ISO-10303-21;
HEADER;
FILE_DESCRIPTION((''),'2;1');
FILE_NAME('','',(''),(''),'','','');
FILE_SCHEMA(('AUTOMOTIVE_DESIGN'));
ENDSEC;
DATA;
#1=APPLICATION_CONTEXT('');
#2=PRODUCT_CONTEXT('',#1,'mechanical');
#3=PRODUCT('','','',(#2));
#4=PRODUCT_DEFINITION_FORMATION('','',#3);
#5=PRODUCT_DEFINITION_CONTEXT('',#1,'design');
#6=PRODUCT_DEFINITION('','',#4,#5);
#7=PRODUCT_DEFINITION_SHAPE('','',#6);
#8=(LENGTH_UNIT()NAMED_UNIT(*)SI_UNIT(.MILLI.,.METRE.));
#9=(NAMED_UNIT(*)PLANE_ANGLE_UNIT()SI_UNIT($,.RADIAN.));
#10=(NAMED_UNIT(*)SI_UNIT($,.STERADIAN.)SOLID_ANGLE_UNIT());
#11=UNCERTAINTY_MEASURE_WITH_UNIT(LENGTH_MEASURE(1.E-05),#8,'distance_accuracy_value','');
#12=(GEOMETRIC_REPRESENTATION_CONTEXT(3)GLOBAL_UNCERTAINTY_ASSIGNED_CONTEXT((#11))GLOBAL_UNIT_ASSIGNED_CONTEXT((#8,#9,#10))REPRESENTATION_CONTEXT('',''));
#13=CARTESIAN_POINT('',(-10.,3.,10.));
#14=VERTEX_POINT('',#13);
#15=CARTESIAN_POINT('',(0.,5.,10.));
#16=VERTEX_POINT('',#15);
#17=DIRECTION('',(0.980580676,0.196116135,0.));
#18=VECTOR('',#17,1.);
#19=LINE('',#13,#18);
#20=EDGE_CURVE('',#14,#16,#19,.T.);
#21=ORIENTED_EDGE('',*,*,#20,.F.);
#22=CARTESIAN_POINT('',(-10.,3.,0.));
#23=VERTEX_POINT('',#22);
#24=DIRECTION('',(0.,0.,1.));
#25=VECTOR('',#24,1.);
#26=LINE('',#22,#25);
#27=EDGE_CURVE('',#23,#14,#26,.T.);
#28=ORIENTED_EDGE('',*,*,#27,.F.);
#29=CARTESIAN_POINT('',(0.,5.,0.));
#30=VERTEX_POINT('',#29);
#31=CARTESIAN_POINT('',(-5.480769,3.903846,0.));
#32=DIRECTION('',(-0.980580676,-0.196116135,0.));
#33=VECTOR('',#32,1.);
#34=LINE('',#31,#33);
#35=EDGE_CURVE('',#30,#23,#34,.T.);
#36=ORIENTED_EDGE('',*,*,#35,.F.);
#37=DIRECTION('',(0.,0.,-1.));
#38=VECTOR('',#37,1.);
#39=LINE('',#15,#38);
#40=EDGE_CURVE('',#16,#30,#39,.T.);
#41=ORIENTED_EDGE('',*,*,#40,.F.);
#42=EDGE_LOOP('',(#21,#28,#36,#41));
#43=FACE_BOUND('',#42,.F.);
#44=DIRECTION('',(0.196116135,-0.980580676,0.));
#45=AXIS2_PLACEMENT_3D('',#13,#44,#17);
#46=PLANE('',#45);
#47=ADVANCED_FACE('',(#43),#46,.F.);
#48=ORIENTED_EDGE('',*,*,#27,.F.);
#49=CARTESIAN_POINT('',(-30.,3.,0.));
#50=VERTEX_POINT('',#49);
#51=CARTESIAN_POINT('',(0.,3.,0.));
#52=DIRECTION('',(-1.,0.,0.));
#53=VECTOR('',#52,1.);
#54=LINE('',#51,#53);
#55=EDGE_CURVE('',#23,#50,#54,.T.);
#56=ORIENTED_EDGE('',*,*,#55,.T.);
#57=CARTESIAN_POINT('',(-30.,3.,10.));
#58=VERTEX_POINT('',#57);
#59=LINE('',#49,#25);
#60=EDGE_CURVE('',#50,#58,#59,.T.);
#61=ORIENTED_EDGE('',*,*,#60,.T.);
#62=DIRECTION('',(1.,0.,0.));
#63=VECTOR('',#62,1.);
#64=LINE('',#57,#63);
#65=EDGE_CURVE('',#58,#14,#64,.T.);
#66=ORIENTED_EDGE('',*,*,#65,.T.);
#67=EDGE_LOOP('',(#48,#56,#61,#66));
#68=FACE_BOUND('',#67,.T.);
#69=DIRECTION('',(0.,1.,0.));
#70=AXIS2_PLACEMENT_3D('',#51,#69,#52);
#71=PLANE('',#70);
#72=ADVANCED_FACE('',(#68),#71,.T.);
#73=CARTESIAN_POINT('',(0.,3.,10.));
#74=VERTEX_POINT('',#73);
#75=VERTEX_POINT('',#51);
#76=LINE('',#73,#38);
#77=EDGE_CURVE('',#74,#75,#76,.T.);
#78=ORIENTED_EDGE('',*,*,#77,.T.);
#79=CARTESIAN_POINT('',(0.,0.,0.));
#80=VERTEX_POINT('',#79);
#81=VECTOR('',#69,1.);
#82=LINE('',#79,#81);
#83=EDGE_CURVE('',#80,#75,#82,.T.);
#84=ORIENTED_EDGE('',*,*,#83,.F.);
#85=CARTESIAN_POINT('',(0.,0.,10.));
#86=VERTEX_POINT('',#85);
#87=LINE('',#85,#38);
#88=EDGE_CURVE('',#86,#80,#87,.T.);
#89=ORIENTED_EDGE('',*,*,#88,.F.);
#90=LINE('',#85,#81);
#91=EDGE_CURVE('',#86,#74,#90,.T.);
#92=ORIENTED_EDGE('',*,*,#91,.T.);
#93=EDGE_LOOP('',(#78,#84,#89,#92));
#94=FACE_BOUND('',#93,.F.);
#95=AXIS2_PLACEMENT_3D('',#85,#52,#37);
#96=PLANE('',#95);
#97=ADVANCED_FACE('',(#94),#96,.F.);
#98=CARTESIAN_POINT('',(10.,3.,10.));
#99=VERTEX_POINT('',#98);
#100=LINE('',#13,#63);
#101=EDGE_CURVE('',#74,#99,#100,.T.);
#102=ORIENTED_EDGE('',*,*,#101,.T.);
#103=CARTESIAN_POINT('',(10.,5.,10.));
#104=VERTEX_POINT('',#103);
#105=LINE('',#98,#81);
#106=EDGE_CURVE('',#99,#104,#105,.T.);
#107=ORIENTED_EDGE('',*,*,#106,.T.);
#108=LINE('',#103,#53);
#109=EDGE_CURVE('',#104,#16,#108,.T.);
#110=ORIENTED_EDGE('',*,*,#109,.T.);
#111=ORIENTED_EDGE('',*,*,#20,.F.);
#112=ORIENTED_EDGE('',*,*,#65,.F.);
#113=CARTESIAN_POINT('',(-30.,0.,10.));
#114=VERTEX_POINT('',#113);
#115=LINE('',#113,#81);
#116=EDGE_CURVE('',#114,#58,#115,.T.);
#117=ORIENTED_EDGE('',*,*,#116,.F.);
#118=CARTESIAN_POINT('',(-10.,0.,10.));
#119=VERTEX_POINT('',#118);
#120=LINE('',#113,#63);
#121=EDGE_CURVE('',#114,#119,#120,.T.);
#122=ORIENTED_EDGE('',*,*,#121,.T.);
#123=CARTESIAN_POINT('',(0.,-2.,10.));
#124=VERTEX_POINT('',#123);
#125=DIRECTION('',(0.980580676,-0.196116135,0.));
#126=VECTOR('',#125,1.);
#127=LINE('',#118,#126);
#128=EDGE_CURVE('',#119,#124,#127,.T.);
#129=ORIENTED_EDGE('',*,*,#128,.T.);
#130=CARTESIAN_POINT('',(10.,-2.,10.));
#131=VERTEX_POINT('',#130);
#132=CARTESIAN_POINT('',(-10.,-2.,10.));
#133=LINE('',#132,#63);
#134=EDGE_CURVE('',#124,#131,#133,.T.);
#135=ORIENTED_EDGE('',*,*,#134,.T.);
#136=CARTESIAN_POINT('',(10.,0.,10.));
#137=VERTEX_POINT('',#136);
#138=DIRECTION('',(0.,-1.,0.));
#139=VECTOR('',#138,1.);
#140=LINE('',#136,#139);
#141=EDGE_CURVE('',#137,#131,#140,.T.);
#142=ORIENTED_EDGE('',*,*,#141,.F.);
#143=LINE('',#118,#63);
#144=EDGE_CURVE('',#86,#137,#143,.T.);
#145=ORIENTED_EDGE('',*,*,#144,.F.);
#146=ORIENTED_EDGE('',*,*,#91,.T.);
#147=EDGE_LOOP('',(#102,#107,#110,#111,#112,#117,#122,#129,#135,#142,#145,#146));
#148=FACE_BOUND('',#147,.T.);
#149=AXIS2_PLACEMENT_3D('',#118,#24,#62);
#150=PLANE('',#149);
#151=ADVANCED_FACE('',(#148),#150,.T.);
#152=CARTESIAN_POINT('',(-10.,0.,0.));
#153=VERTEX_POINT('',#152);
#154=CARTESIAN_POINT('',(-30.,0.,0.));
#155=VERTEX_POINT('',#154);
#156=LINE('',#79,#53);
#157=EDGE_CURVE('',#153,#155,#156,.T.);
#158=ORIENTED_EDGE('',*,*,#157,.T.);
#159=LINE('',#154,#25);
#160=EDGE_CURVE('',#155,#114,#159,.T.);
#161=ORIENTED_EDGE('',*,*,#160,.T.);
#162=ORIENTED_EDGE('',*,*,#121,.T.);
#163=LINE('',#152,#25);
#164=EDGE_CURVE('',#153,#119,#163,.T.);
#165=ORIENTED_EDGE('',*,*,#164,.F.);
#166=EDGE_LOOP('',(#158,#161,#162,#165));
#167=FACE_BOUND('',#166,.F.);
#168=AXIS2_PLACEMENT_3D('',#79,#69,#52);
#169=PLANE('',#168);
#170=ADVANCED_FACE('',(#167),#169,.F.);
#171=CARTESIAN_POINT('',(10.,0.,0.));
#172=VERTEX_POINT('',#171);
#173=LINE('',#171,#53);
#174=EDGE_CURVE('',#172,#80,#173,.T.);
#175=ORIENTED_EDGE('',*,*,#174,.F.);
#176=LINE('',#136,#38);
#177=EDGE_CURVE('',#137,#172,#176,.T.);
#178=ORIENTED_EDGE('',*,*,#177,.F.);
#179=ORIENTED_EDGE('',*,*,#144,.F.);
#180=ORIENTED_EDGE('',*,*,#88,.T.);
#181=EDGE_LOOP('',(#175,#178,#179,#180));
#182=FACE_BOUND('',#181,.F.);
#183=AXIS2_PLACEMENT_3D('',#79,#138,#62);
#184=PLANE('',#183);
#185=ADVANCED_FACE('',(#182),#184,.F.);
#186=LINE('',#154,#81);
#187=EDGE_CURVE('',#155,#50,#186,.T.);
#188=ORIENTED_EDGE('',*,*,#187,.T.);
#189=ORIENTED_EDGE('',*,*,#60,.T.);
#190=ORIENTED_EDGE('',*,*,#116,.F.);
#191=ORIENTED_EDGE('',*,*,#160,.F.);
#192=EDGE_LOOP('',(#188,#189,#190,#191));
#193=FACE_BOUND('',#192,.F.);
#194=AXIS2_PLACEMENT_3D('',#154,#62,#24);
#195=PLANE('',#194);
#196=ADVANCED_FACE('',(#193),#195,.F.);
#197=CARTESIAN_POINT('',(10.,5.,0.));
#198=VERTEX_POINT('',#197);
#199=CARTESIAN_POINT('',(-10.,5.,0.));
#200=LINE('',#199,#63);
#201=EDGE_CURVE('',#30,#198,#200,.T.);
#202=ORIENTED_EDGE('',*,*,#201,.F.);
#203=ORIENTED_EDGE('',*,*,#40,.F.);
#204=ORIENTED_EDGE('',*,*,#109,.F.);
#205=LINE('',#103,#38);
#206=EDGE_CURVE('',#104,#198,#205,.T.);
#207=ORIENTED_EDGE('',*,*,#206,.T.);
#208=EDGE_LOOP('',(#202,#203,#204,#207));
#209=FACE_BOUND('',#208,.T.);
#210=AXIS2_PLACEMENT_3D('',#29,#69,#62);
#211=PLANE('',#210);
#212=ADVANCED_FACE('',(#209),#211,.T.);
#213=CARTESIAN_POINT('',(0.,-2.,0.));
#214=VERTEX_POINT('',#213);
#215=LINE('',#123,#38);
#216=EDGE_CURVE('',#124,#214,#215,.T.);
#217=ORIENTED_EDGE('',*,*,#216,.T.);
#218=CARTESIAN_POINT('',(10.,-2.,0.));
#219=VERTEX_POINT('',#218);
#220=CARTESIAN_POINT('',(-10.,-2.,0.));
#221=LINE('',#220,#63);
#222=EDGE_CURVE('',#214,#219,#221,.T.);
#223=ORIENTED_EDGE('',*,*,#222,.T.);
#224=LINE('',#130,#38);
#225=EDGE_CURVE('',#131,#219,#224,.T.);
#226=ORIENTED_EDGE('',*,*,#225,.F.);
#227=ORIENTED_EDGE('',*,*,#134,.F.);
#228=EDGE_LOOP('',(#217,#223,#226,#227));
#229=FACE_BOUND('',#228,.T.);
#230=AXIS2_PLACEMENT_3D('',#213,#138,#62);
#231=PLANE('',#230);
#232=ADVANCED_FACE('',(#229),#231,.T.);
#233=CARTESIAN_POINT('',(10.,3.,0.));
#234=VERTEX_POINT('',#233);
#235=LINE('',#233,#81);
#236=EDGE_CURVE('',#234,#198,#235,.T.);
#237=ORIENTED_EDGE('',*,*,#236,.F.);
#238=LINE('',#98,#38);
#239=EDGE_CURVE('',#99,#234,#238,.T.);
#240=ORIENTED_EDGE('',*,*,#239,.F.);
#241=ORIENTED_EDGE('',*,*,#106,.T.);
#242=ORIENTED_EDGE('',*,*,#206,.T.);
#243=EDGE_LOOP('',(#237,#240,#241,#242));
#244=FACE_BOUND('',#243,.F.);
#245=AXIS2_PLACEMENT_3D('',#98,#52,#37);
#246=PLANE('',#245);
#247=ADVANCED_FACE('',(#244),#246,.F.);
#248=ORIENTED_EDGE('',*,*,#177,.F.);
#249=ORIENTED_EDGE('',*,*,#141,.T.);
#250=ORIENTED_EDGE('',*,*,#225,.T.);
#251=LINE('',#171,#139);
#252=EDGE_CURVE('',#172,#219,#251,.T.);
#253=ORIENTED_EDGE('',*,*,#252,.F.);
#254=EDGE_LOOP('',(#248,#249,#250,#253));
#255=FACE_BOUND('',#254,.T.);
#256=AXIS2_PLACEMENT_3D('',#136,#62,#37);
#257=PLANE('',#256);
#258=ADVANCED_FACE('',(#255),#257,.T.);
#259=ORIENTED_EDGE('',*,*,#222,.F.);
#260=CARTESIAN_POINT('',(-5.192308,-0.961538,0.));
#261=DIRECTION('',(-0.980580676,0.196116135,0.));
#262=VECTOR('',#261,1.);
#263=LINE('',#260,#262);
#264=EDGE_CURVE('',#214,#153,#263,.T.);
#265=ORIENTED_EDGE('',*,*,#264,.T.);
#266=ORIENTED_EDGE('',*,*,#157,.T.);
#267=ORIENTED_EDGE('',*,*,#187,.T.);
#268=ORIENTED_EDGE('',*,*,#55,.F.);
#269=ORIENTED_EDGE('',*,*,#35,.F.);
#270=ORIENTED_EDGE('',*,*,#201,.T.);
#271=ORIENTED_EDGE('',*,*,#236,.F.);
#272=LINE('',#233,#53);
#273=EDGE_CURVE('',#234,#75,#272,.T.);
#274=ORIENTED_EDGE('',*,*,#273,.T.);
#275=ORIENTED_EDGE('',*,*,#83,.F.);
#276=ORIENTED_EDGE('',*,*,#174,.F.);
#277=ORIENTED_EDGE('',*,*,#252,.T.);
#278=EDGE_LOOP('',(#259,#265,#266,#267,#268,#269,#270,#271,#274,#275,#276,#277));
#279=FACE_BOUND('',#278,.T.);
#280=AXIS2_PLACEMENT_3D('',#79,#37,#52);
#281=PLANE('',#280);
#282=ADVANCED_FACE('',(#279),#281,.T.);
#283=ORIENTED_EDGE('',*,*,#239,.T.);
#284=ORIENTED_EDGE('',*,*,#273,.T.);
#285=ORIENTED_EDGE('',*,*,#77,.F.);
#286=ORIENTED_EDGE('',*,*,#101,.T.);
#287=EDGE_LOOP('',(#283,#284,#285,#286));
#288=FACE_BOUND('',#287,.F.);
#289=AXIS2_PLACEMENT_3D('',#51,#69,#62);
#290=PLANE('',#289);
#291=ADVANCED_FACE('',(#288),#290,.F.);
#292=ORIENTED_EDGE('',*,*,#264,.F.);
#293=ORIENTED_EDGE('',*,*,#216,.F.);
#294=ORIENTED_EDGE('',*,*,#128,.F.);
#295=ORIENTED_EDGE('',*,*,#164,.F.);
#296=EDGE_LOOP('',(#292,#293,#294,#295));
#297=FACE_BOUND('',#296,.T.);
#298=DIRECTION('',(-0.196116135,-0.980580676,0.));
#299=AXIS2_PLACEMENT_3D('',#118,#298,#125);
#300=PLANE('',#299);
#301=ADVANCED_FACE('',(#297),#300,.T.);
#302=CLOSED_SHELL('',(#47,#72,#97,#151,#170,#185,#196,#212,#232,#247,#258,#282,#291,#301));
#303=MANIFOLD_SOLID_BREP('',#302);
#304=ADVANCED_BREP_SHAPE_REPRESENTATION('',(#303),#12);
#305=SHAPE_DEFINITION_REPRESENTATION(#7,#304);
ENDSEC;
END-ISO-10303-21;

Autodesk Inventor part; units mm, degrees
ref_plane "YZ Plane" through (0, 0, 0) normal (1, 0, 0) x (0, 1, 0)
ref_plane "XZ Plane" through (0, 0, 0) normal (0, 1, 0) x (-1, 0, 0)
ref_plane "XY Plane" through (0, 0, 0) normal (0, 0, 1) x (1, 0, 0)
sketch "Sketch1" plane through (0, 0, 0) normal (0, 1, 0) x (-1, 0, 0)
  line L0 (0, 0) -> (30, 0)
  line L1 (30, 0) -> (30, 10)
  line L2 (30, 10) -> (0, 10)
  line L3 (0, 10) -> (0, 0)
  dimension "d0" = 30
  dimension "d1" = 10
extrude "Extrusion1" add sketch "Sketch1" along normal blind 3
sketch "Sketch2" plane through (0, 3, 0) normal (0, 1, 0) x (1, 0, 0)
  line L0 (-30, -10) -> (0, -10) projected
  line L1 (-10, -10) -> (10, -10)
  line L2 (10, -10) -> (10, 0)
  line L3 (10, 0) -> (-10, 0)
  line L4 (-10, 0) -> (-10, -10)
  line L5 (0, -10) -> (0, 0) projected
  dimension "d4" = 10
  dimension "d5" = 10
  dimension "d6" = 20
extrude "Extrusion2" add sketch "Sketch2" along normal blind 2
sketch "Sketch3" plane through (0, 0, 0) normal (0, -1, 0) x (1, 0, 0)
  line L0 (-10, 10) -> (10, 10) projected
  line L1 (10, 0) -> (0, 0) projected
  line L2 (-10, 10) -> (10, 10)
  line L3 (10, 10) -> (10, 0)
  line L4 (10, 0) -> (-10, 0)
  line L5 (-10, 0) -> (-10, 10)
extrude "Extrusion3" add sketch "Sketch3" along normal blind 2
sketch "Sketch4" plane through (-30, 0, 10) normal (0, 0, 1) x (1, 0, 0)
  line L0 (20, 0) -> (20, -2) projected
  line L1 (20, 0) -> (30, -2)
  line L2 (40, -2) -> (20, -2) projected
  line L3 (0, 3) -> (20, 3) projected
  line L4 (20, 3) -> (30, 5)
  line L5 (20, 5) -> (40, 5) projected
  line L6 (30, 3) -> (30, 5)
  line L7 (30, 3) -> (20, 3)
  line L8 (30, 0) -> (30, 3) projected
  line L9 (30, -2) -> (30, 0)
  line L10 (30, 0) -> (20, 0)
  line L11 (20, 3) -> (20, 5) projected
  line L12 (20, 3) -> (20, 5)
  line L13 (20, 5) -> (30, 5)
  line L14 (30, -2) -> (20, -2)
  line L15 (20, -2) -> (20, 0)
extrude "Extrusion4" cut sketch "Sketch4" against normal through all contours L1 L2 L0 | L4 L11 L5
properties part number "MotorHållare"
